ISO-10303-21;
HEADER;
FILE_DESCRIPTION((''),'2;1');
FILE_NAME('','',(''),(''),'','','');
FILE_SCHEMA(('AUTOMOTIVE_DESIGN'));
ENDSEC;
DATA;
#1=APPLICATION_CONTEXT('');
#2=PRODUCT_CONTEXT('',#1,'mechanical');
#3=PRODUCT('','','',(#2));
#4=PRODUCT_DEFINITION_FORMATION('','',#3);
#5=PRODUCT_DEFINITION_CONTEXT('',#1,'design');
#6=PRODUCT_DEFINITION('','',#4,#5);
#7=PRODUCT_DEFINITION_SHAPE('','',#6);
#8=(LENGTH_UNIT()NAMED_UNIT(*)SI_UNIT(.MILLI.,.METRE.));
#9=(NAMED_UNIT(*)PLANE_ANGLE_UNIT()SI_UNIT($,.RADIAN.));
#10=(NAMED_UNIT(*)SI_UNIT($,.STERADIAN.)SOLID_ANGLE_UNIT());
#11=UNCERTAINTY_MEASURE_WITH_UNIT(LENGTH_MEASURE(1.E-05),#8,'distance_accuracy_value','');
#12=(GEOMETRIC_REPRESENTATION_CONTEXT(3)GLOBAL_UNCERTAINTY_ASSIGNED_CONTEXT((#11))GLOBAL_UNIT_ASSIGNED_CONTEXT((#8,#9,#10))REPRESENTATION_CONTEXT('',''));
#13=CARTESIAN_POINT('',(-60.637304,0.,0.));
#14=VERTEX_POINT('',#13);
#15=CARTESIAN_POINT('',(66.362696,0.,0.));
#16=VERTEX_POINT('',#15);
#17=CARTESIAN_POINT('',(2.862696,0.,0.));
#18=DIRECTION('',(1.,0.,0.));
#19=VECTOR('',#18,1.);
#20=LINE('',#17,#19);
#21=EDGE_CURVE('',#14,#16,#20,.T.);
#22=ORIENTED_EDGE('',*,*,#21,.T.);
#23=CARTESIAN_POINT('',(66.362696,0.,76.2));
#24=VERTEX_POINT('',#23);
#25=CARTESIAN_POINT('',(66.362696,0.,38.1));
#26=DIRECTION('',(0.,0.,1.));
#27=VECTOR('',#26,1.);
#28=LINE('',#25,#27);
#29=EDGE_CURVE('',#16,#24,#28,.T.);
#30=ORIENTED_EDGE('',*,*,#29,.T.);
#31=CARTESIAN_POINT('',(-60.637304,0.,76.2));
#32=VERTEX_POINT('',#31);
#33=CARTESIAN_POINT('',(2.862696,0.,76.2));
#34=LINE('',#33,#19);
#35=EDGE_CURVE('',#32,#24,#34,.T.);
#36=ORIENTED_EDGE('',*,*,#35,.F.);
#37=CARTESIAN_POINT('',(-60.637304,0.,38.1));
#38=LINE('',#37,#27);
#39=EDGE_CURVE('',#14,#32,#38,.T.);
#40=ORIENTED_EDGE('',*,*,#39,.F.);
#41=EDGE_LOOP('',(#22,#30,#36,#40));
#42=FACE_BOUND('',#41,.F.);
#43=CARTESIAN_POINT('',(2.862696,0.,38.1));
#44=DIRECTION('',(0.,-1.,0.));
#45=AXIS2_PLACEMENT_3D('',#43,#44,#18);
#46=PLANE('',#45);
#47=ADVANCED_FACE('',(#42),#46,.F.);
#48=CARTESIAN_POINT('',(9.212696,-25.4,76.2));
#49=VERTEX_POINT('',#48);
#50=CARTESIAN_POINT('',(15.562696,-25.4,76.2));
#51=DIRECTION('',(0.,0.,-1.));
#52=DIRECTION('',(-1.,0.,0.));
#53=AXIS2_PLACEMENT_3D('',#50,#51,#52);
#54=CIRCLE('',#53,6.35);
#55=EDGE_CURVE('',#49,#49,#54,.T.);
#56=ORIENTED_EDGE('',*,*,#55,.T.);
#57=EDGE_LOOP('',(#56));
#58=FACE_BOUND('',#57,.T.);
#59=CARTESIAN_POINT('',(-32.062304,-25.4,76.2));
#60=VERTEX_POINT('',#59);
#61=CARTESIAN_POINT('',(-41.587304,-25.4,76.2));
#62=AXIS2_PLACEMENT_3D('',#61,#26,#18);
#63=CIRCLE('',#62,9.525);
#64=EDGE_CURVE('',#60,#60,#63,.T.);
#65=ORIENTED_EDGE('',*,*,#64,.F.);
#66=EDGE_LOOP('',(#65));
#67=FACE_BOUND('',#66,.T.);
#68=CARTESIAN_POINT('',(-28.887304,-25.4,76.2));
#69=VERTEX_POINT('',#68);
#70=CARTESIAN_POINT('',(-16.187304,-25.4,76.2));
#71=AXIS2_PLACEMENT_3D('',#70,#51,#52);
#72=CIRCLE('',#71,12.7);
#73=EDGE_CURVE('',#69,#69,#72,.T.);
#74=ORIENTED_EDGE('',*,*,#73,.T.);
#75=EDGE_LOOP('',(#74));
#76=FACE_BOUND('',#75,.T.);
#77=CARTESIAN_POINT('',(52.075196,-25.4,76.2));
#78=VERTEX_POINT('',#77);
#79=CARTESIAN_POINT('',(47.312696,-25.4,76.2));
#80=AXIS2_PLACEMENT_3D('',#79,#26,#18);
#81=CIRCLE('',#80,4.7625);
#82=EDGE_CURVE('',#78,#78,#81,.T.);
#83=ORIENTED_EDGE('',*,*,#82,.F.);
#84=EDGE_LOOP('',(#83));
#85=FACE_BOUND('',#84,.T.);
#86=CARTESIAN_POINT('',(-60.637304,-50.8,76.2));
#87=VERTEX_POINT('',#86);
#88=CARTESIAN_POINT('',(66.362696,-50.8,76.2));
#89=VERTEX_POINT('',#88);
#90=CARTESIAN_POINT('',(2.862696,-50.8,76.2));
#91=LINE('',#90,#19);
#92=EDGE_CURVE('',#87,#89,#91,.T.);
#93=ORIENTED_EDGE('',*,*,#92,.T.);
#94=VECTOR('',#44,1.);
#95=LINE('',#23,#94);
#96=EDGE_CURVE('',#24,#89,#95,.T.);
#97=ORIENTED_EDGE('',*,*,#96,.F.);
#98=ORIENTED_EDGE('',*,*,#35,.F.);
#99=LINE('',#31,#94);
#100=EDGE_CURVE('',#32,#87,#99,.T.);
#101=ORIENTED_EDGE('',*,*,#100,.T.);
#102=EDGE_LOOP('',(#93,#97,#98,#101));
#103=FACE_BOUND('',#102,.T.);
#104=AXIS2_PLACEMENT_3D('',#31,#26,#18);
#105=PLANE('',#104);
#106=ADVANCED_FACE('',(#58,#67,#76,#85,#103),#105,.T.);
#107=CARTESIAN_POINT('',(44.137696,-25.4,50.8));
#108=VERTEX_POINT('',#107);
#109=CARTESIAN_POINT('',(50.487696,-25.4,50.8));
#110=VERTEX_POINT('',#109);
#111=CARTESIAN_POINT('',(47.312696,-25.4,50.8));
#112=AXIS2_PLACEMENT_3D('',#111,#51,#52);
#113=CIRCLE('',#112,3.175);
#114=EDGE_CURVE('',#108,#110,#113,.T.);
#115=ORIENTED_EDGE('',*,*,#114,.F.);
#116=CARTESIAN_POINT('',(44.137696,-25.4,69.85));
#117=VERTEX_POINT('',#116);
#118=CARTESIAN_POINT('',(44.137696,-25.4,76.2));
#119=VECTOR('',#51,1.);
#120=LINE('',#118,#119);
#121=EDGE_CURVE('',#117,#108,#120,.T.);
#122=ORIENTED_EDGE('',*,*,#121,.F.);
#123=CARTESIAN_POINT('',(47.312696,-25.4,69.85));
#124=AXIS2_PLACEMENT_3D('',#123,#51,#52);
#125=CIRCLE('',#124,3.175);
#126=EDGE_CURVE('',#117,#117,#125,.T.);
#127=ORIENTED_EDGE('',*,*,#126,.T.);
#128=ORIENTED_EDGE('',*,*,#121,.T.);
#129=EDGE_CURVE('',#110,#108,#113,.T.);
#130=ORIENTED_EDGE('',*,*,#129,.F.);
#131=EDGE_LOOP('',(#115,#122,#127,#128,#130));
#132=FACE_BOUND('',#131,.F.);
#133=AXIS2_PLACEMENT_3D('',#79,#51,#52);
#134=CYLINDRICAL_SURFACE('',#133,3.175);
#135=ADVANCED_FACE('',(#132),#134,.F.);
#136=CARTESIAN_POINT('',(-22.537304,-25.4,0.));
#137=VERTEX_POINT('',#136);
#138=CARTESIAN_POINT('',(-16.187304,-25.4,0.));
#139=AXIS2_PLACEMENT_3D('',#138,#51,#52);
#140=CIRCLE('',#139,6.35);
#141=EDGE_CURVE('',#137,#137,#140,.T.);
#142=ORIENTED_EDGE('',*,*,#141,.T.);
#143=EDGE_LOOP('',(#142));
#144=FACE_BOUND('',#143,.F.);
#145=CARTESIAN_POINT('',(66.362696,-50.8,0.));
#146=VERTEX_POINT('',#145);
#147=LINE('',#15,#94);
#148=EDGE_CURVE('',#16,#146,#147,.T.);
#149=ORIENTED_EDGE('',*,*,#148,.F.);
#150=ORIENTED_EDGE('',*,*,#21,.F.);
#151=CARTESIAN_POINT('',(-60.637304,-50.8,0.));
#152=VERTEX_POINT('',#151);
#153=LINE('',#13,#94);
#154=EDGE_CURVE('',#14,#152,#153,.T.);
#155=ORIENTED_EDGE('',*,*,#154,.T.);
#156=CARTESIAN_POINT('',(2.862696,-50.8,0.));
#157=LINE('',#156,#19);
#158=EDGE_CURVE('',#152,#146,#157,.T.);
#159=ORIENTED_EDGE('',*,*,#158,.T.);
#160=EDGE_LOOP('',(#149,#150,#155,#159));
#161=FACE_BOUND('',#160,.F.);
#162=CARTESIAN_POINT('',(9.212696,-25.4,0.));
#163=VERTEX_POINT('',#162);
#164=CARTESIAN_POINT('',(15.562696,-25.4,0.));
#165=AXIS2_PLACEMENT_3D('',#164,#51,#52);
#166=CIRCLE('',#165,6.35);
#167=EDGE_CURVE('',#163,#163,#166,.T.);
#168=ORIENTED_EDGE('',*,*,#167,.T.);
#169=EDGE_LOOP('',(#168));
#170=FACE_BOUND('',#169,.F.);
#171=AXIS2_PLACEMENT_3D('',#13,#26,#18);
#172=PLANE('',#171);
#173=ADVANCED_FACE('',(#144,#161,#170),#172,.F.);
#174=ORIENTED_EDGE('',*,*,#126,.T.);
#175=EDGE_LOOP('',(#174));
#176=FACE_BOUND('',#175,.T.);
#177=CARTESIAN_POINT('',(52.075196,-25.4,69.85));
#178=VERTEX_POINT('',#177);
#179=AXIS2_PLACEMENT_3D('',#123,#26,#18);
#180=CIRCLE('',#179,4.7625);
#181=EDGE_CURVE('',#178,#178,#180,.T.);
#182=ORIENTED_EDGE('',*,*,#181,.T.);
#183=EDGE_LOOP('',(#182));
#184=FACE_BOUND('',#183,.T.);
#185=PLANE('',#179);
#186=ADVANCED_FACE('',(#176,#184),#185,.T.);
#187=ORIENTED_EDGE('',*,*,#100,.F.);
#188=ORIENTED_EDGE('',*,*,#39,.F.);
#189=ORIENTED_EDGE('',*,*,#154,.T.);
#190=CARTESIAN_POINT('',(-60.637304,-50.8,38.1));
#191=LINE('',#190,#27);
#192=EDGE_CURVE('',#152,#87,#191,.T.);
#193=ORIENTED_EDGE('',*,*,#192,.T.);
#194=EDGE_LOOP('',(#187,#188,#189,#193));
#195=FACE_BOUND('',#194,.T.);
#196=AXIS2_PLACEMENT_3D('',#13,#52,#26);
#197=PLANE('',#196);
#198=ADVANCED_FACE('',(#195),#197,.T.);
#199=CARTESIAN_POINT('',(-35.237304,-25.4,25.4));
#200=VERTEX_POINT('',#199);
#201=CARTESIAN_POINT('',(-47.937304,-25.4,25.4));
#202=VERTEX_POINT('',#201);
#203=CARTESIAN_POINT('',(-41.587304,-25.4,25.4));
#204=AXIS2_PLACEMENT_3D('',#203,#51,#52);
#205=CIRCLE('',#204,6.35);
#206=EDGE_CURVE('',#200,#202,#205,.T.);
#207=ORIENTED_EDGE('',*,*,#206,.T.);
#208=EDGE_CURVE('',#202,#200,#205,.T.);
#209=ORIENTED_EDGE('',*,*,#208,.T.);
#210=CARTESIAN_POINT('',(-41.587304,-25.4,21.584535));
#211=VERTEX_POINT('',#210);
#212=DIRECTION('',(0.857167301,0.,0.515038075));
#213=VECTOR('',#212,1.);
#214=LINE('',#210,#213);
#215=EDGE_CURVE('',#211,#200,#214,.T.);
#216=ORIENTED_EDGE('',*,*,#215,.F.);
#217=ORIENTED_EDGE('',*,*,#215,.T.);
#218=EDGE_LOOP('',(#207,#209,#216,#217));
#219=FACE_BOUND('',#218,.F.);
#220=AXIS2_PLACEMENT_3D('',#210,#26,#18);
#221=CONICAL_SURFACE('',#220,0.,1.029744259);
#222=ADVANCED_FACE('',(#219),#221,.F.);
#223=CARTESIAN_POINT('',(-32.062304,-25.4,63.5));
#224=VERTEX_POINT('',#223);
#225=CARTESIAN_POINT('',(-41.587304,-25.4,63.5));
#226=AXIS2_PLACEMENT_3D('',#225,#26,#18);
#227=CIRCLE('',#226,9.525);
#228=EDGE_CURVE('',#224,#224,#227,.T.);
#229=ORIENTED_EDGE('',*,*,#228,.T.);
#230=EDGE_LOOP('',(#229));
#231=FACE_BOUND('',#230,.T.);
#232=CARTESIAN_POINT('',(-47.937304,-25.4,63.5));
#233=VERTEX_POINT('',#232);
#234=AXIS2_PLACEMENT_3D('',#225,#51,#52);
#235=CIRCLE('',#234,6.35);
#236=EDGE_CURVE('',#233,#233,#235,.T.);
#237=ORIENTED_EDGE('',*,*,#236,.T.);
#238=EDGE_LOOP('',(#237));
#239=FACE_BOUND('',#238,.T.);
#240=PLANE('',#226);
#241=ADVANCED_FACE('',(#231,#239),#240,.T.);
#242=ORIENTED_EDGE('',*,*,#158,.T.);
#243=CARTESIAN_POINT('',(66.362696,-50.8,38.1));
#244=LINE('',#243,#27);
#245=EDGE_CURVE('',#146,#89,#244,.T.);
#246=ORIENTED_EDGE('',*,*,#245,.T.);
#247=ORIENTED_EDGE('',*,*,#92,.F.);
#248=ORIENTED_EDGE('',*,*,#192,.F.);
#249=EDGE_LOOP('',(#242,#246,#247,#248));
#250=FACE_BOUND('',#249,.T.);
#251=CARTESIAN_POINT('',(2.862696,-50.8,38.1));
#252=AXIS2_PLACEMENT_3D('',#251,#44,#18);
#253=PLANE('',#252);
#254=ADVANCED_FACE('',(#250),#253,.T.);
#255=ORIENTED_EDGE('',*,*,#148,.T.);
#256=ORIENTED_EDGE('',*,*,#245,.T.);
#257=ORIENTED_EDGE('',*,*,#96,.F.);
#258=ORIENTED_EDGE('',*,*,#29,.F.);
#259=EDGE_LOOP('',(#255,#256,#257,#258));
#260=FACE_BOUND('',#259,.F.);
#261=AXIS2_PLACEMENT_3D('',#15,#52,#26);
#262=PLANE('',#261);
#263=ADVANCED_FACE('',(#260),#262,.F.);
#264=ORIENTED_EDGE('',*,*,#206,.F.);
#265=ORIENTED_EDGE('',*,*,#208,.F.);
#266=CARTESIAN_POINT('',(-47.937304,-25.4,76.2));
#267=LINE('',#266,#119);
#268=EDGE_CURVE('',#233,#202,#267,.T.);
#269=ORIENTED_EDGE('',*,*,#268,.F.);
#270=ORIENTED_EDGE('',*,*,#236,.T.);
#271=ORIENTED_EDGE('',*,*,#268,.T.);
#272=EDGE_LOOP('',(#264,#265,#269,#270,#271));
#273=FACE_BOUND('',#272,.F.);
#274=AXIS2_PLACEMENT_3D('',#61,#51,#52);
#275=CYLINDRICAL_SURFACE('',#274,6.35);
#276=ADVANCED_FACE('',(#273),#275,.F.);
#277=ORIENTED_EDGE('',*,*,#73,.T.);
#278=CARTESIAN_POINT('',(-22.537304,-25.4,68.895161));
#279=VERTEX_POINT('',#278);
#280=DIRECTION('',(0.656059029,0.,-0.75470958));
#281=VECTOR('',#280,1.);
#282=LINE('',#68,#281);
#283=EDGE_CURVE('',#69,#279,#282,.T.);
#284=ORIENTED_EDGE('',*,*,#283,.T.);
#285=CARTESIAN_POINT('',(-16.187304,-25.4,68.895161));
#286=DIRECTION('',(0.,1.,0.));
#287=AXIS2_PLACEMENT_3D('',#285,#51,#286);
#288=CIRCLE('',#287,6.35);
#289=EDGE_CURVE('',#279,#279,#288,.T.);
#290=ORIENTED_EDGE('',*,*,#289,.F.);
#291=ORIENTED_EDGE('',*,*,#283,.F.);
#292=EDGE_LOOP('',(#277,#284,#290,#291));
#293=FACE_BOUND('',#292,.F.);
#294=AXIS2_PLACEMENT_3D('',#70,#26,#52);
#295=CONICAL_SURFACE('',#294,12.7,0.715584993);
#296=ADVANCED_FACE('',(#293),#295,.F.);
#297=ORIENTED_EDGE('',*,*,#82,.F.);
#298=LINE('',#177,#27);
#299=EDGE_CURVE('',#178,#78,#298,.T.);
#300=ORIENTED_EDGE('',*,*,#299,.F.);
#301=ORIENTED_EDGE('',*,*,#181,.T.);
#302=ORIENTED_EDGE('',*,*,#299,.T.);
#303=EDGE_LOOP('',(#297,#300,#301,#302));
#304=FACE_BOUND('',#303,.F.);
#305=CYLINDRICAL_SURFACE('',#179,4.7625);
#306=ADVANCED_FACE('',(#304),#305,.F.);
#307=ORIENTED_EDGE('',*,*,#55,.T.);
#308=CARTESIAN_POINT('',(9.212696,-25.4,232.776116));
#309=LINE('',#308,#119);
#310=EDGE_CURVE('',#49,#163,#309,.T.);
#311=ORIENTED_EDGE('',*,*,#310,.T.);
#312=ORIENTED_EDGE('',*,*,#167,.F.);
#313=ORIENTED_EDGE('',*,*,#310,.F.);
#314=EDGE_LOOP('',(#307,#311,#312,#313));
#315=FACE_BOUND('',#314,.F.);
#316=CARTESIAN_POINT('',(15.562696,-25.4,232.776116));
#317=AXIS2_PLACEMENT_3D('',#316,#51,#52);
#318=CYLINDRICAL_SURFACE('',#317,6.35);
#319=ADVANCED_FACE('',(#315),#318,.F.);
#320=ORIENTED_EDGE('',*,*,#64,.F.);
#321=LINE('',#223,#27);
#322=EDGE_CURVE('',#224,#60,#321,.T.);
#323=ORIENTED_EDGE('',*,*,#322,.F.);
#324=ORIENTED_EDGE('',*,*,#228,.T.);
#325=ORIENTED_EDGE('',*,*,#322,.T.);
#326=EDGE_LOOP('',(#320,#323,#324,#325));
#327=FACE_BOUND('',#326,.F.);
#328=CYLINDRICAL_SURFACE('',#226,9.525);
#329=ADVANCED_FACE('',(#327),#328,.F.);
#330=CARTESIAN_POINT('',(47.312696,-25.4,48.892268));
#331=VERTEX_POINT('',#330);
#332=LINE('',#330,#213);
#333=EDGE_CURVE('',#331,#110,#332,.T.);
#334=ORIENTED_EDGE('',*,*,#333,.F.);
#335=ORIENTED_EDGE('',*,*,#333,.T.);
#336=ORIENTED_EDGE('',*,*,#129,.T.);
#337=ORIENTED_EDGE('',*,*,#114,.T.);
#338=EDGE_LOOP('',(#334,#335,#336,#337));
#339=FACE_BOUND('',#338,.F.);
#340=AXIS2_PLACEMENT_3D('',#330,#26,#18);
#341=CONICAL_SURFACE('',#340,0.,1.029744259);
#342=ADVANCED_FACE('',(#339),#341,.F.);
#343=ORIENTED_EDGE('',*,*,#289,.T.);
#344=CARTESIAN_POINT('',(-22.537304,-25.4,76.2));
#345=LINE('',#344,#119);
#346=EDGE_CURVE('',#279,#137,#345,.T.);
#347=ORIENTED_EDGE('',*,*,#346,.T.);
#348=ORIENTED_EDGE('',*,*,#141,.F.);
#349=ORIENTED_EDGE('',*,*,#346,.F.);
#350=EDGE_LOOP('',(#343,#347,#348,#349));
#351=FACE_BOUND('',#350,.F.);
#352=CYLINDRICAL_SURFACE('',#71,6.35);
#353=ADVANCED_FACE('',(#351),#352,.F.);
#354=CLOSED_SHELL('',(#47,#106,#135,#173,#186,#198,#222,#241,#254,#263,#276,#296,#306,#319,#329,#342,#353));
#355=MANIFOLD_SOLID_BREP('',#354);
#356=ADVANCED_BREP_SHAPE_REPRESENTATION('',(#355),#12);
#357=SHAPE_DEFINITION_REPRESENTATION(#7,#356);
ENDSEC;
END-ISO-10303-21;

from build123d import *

# Parameters (mm, degrees)
F0_W           = 127
F0_H           = 76.2
F1_DEPTH       = 50.8
F3_D           = 12.7
F3_DEPTH       = 50.8
F3_CBORE_D     = 19.05
F3_CBORE_DEPTH = 12.7
F3_TIP         = 3.8154649308
F5_D           = 12.7
F5_CSINK_D     = 25.4
F5_CSINK_ANGLE = 82
F7_D           = 12.7
F9_D           = 6.35
F9_DEPTH       = 25.4
F9_CBORE_D     = 9.525
F9_CBORE_DEPTH = 6.35
F9_TIP         = 1.9077324654


with BuildPart() as f1:
    # F0 (on Front) → F1 (new body)
    with BuildSketch(Plane.XZ):
        with Locations((2.8626964785, 38.1)):
            Rectangle(F0_W, F0_H)
    extrude(amount=F1_DEPTH)

    # F3
    with Locations(Plane.XY.offset(76.2)):
        with Locations((-41.5873035215, -25.4)):
            CounterBoreHole(F3_D / 2, F3_CBORE_D / 2, F3_CBORE_DEPTH, depth=F3_DEPTH)
            with Locations((0, 0, -(F3_DEPTH + F3_TIP / 2))):  # 118° drill point
                Cone(0, F3_D / 2, F3_TIP, mode=Mode.SUBTRACT)

    # F5 (through all)
    with Locations(Plane.XY.offset(76.2)):
        with Locations((-16.1873035215, -25.4)):
            CounterSinkHole(F5_D / 2, F5_CSINK_D / 2, counter_sink_angle=F5_CSINK_ANGLE)

    # F7 (through all)
    with Locations(Plane.XY.offset(76.2)):
        with Locations((15.5626964785, -25.4)):
            Hole(F7_D / 2)

    # F9
    with Locations(Plane.XY.offset(76.2)):
        with Locations((47.3126964785, -25.4)):
            CounterBoreHole(F9_D / 2, F9_CBORE_D / 2, F9_CBORE_DEPTH, depth=F9_DEPTH)
            with Locations((0, 0, -(F9_DEPTH + F9_TIP / 2))):  # 118° drill point
                Cone(0, F9_D / 2, F9_TIP, mode=Mode.SUBTRACT)


solid = f1.part
